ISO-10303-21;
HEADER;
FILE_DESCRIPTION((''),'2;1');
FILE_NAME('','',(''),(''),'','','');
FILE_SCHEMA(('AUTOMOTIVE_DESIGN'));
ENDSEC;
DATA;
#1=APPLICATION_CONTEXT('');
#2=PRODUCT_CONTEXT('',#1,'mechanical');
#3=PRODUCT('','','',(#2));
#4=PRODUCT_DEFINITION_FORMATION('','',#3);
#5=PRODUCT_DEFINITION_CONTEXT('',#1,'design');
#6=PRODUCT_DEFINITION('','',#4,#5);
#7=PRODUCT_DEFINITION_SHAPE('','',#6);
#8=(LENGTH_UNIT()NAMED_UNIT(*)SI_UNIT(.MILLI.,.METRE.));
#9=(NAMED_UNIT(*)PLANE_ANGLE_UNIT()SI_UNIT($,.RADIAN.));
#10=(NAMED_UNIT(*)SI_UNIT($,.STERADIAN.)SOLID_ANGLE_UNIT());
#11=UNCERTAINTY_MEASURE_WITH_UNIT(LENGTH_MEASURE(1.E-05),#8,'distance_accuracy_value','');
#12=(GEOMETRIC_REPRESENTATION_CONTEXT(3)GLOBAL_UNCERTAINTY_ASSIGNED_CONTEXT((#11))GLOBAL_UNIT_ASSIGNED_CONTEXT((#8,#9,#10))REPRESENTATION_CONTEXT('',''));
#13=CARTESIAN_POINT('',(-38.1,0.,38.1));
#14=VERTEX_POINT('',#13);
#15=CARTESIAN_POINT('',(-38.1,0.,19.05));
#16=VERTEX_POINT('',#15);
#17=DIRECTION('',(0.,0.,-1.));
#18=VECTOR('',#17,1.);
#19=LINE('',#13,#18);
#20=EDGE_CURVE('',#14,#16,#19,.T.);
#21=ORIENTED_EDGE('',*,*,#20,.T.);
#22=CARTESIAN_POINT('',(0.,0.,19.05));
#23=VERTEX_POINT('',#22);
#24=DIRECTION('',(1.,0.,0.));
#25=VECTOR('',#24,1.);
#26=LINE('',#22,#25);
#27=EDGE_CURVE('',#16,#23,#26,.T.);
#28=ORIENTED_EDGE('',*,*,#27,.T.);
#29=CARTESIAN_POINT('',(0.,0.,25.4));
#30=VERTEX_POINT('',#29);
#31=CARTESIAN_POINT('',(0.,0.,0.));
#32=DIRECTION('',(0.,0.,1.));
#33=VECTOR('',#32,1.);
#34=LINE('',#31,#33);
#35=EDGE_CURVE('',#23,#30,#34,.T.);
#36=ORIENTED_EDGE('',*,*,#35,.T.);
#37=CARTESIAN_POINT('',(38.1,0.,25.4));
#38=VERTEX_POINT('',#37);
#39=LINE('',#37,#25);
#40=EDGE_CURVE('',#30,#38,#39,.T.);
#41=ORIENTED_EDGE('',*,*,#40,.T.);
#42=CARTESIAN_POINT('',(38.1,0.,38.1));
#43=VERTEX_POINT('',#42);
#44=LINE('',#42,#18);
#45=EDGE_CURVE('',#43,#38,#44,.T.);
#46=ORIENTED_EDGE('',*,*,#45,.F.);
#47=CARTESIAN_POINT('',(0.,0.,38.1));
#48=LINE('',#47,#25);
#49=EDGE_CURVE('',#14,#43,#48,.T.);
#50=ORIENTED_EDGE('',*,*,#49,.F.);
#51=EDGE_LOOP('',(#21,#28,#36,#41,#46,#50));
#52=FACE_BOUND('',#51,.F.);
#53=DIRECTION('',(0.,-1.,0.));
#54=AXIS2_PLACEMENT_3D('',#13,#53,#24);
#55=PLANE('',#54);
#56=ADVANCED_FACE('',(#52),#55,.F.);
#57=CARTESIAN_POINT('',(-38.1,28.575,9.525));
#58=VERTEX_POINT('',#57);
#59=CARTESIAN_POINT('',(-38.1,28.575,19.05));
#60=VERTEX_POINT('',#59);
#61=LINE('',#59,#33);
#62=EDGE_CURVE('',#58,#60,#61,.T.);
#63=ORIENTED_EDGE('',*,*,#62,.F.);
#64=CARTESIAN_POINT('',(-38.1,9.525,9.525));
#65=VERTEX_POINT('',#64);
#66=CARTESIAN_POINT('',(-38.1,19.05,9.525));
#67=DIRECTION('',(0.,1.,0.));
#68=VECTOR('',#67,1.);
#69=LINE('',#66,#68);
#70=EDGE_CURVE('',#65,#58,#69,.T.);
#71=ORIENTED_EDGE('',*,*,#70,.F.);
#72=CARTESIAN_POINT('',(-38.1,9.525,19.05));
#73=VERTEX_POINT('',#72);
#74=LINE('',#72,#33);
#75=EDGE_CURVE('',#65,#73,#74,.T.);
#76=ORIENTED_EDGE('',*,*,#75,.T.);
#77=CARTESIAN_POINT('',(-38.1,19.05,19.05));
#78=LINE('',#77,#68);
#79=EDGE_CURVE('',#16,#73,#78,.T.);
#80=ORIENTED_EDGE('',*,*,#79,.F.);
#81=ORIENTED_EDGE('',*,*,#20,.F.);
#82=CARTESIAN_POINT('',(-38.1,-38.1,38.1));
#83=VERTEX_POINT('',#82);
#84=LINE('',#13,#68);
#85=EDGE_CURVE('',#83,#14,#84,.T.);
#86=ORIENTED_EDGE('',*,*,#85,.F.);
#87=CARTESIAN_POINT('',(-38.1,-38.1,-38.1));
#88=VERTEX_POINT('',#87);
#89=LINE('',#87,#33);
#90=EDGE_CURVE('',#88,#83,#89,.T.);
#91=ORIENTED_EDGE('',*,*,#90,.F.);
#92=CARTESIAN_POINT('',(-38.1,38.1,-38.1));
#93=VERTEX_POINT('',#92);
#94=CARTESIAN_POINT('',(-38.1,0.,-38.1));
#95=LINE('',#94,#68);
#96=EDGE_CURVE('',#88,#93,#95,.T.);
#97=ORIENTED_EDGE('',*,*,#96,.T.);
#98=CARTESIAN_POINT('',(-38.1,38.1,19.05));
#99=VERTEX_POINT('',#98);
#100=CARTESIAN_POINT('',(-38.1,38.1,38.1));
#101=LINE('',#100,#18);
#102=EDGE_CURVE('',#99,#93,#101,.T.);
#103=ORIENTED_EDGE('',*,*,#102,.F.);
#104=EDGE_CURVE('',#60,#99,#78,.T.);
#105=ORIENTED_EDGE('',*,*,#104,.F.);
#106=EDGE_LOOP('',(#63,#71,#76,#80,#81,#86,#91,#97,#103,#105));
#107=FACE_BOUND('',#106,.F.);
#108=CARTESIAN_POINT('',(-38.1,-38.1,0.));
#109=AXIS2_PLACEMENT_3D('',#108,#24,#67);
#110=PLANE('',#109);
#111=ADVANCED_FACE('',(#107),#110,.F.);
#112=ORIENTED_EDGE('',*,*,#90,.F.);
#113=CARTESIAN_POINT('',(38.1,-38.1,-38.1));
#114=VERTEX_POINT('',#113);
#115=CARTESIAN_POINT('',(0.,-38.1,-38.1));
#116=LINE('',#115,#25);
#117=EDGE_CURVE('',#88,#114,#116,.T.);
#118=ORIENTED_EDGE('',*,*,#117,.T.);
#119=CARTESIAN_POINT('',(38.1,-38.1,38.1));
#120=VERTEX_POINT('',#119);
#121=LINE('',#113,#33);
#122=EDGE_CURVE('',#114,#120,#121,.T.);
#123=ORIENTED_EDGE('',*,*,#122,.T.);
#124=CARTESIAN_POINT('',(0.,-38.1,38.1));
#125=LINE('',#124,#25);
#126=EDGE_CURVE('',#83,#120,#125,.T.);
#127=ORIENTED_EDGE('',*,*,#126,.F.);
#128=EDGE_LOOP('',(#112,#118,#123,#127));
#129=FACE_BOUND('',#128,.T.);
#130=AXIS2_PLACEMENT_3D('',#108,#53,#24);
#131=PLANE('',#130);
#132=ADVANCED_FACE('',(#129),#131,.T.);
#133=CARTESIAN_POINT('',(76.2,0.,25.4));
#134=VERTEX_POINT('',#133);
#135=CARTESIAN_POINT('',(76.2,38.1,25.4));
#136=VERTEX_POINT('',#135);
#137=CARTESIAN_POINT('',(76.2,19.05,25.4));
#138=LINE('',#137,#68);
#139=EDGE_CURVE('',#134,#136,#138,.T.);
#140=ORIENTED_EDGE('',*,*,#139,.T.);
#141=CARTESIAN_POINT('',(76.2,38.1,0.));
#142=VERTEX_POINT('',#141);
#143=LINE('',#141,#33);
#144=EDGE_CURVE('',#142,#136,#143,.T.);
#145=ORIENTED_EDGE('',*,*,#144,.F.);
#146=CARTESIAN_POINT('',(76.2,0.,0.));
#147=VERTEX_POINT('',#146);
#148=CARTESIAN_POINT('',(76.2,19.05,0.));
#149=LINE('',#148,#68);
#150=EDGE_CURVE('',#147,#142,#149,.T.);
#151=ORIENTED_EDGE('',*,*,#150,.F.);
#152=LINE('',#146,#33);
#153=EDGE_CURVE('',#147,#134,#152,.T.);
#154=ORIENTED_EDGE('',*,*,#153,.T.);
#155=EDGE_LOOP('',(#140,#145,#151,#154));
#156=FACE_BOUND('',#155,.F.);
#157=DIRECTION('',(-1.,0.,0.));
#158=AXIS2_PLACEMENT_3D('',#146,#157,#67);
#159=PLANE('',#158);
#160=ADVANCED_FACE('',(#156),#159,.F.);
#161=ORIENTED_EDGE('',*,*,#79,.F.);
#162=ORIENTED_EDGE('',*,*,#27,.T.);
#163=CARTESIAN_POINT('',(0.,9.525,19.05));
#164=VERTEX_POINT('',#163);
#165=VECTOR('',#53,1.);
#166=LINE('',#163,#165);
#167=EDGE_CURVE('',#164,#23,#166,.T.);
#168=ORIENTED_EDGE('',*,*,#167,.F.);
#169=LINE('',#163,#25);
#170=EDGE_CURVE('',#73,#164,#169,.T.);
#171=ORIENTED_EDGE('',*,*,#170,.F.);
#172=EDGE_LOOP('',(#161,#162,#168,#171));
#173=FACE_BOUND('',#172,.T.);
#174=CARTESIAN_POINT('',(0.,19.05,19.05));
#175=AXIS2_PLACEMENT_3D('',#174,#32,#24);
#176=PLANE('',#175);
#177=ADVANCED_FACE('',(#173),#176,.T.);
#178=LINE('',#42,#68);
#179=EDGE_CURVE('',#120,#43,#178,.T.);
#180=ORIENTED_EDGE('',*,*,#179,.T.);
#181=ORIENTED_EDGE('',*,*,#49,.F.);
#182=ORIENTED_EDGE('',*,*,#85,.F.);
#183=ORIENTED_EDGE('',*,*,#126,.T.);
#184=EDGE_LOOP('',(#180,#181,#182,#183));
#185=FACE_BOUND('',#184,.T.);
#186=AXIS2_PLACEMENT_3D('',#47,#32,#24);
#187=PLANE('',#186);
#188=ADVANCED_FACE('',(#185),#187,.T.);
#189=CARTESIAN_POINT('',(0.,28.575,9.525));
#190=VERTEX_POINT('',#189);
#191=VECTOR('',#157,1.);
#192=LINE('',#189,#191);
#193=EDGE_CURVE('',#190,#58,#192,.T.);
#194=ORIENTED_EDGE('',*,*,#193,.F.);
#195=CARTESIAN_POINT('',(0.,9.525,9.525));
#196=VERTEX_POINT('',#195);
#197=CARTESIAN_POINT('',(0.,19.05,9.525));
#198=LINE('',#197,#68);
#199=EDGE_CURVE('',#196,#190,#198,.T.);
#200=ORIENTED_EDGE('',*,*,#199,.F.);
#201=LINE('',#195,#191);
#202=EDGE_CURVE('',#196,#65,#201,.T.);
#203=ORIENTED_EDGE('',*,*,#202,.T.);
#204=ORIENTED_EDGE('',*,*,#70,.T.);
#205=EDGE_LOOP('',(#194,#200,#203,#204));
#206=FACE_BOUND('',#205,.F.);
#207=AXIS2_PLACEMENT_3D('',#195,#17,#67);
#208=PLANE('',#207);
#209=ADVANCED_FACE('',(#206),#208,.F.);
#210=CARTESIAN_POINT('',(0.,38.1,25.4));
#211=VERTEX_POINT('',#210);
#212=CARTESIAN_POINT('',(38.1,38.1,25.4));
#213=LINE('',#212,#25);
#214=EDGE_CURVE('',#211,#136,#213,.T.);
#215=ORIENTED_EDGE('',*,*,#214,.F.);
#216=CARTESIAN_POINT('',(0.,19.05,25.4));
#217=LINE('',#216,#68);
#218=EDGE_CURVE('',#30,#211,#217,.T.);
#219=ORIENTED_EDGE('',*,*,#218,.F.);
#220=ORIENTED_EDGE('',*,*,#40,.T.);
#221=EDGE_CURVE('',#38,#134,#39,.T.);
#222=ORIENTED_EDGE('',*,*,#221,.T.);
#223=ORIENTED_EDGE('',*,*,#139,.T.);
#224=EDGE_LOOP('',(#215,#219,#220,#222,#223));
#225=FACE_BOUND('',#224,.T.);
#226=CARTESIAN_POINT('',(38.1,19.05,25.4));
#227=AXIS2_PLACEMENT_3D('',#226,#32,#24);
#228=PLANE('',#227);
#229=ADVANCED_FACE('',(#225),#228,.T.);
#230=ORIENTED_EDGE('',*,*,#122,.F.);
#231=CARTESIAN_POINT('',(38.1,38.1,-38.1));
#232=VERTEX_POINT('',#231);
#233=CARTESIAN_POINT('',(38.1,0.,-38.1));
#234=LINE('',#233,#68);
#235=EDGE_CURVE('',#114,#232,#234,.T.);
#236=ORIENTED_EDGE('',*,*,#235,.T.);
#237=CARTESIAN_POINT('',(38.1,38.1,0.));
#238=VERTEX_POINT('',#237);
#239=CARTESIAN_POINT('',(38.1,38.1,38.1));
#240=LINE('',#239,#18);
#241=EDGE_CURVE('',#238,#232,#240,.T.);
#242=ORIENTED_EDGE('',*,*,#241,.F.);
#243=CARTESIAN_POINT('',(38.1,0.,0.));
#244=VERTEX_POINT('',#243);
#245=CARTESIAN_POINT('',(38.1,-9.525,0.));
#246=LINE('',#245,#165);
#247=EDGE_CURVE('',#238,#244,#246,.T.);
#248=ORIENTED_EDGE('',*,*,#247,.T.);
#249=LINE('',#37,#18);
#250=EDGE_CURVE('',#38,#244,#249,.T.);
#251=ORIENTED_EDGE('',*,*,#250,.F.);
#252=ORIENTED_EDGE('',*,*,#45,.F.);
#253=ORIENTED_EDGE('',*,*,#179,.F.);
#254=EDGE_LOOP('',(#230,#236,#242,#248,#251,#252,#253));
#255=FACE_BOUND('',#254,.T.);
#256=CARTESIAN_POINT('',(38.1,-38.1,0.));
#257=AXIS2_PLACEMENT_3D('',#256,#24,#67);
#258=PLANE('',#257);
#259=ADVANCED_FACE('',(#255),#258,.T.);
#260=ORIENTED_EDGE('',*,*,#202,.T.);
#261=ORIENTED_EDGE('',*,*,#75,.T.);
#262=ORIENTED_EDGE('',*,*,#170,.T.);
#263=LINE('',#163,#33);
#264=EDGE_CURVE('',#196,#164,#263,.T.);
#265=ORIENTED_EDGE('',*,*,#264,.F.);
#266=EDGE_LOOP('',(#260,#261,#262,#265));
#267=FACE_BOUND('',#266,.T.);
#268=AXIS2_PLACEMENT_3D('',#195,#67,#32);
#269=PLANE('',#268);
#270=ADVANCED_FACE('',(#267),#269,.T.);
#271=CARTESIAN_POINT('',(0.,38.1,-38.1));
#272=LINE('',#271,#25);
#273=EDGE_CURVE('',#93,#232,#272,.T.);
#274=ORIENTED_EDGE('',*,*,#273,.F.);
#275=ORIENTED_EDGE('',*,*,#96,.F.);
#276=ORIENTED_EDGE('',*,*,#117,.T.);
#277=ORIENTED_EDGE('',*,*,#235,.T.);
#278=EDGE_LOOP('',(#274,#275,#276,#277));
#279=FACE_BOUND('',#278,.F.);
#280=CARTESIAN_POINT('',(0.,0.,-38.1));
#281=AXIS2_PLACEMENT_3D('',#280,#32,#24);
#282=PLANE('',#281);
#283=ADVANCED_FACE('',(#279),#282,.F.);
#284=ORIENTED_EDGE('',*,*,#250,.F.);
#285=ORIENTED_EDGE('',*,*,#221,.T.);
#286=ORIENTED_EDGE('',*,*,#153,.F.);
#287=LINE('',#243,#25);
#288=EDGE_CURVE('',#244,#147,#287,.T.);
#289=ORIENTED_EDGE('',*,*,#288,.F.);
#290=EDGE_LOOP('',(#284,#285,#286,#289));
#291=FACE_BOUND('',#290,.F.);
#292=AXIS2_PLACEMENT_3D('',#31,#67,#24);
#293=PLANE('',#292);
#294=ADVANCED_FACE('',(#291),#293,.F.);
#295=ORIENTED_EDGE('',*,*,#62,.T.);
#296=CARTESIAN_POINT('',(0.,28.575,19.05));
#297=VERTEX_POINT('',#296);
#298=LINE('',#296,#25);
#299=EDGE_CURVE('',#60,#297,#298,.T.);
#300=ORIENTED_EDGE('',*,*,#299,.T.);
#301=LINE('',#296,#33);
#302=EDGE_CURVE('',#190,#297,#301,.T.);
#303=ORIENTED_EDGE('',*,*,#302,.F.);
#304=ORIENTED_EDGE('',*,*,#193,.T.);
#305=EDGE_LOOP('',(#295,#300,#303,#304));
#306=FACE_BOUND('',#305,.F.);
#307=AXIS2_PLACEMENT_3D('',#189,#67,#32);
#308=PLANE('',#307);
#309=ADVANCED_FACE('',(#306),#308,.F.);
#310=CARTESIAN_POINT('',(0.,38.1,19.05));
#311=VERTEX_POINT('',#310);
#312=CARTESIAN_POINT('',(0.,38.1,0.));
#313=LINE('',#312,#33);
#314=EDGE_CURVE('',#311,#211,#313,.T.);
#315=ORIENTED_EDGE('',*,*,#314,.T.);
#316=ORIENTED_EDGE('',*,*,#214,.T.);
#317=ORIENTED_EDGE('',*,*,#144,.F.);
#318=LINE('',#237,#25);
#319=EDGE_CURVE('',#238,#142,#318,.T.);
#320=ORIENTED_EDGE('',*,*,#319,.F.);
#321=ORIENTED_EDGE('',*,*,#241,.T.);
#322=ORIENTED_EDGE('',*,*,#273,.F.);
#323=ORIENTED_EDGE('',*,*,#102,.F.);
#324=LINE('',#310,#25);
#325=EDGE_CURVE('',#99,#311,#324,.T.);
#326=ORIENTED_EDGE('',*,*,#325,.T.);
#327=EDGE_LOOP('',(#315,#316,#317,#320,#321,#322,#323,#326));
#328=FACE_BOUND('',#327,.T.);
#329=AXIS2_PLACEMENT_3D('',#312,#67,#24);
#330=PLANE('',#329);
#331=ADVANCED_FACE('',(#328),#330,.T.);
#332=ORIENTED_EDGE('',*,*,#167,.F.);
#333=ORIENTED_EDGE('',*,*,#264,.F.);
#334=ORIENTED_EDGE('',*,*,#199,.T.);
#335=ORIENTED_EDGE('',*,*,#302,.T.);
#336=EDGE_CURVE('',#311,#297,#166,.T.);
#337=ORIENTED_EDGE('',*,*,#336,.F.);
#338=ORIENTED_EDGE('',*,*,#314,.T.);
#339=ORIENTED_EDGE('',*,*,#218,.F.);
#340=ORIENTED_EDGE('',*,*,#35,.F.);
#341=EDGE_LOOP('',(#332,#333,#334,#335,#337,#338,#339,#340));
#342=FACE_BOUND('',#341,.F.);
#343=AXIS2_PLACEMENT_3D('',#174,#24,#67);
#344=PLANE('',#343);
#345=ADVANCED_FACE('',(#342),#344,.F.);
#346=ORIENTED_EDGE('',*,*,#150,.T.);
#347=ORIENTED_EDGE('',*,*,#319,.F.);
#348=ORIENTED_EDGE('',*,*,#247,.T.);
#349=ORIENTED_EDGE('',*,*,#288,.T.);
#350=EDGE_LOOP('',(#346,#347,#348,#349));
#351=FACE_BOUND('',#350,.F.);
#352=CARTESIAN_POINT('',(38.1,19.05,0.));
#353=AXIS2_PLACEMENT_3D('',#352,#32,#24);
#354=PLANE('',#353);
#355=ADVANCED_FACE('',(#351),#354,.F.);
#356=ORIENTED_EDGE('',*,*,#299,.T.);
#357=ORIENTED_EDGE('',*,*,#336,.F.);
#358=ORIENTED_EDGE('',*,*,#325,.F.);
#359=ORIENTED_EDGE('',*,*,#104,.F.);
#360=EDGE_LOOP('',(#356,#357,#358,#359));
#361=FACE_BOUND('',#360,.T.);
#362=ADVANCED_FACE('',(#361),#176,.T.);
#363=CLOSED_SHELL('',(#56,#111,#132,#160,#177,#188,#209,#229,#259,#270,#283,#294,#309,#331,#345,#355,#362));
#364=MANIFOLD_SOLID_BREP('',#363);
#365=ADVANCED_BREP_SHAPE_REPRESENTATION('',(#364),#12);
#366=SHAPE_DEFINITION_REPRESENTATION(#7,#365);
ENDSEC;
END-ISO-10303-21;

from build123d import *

# Parameters (mm, degrees)
F0_W     = 76.2
F0_H     = 76.2
F1_DEPTH = 38.1
F2_W     = 19.05
F2_H     = 19.05
F3_DEPTH = 38.1
F4_W     = 76.2
F4_H     = 38.1
F5_DEPTH = 19.05
F6_W     = 76.2
F6_H     = 38.1
F7_DEPTH = 25.4


with BuildPart() as f1:
    # F0 (on Top) → F1 (new body, symmetric)
    with BuildSketch(Plane.XY):
        Rectangle(F0_W, F0_H)
    extrude(amount=F1_DEPTH, both=True)

    # F2 (on Right) → F3 (cut)
    with BuildSketch(Plane.YZ):
        with Locations((19.05, 19.05)):
            Rectangle(F2_W, F2_H)
    extrude(amount=-F3_DEPTH, mode=Mode.SUBTRACT)

    # F4 (on face) → F5 (cut)
    with BuildSketch(Plane.XY.offset(38.1)):
        with Locations((0, 19.05)):
            Rectangle(F4_W, F4_H)
    extrude(amount=-F5_DEPTH, mode=Mode.SUBTRACT)

    # F6 (on Top) → F7 (join)
    with BuildSketch(Plane.XY):
        with Locations((38.1, 19.05)):
            Rectangle(F6_W, F6_H)
    extrude(amount=F7_DEPTH)


solid = f1.part
